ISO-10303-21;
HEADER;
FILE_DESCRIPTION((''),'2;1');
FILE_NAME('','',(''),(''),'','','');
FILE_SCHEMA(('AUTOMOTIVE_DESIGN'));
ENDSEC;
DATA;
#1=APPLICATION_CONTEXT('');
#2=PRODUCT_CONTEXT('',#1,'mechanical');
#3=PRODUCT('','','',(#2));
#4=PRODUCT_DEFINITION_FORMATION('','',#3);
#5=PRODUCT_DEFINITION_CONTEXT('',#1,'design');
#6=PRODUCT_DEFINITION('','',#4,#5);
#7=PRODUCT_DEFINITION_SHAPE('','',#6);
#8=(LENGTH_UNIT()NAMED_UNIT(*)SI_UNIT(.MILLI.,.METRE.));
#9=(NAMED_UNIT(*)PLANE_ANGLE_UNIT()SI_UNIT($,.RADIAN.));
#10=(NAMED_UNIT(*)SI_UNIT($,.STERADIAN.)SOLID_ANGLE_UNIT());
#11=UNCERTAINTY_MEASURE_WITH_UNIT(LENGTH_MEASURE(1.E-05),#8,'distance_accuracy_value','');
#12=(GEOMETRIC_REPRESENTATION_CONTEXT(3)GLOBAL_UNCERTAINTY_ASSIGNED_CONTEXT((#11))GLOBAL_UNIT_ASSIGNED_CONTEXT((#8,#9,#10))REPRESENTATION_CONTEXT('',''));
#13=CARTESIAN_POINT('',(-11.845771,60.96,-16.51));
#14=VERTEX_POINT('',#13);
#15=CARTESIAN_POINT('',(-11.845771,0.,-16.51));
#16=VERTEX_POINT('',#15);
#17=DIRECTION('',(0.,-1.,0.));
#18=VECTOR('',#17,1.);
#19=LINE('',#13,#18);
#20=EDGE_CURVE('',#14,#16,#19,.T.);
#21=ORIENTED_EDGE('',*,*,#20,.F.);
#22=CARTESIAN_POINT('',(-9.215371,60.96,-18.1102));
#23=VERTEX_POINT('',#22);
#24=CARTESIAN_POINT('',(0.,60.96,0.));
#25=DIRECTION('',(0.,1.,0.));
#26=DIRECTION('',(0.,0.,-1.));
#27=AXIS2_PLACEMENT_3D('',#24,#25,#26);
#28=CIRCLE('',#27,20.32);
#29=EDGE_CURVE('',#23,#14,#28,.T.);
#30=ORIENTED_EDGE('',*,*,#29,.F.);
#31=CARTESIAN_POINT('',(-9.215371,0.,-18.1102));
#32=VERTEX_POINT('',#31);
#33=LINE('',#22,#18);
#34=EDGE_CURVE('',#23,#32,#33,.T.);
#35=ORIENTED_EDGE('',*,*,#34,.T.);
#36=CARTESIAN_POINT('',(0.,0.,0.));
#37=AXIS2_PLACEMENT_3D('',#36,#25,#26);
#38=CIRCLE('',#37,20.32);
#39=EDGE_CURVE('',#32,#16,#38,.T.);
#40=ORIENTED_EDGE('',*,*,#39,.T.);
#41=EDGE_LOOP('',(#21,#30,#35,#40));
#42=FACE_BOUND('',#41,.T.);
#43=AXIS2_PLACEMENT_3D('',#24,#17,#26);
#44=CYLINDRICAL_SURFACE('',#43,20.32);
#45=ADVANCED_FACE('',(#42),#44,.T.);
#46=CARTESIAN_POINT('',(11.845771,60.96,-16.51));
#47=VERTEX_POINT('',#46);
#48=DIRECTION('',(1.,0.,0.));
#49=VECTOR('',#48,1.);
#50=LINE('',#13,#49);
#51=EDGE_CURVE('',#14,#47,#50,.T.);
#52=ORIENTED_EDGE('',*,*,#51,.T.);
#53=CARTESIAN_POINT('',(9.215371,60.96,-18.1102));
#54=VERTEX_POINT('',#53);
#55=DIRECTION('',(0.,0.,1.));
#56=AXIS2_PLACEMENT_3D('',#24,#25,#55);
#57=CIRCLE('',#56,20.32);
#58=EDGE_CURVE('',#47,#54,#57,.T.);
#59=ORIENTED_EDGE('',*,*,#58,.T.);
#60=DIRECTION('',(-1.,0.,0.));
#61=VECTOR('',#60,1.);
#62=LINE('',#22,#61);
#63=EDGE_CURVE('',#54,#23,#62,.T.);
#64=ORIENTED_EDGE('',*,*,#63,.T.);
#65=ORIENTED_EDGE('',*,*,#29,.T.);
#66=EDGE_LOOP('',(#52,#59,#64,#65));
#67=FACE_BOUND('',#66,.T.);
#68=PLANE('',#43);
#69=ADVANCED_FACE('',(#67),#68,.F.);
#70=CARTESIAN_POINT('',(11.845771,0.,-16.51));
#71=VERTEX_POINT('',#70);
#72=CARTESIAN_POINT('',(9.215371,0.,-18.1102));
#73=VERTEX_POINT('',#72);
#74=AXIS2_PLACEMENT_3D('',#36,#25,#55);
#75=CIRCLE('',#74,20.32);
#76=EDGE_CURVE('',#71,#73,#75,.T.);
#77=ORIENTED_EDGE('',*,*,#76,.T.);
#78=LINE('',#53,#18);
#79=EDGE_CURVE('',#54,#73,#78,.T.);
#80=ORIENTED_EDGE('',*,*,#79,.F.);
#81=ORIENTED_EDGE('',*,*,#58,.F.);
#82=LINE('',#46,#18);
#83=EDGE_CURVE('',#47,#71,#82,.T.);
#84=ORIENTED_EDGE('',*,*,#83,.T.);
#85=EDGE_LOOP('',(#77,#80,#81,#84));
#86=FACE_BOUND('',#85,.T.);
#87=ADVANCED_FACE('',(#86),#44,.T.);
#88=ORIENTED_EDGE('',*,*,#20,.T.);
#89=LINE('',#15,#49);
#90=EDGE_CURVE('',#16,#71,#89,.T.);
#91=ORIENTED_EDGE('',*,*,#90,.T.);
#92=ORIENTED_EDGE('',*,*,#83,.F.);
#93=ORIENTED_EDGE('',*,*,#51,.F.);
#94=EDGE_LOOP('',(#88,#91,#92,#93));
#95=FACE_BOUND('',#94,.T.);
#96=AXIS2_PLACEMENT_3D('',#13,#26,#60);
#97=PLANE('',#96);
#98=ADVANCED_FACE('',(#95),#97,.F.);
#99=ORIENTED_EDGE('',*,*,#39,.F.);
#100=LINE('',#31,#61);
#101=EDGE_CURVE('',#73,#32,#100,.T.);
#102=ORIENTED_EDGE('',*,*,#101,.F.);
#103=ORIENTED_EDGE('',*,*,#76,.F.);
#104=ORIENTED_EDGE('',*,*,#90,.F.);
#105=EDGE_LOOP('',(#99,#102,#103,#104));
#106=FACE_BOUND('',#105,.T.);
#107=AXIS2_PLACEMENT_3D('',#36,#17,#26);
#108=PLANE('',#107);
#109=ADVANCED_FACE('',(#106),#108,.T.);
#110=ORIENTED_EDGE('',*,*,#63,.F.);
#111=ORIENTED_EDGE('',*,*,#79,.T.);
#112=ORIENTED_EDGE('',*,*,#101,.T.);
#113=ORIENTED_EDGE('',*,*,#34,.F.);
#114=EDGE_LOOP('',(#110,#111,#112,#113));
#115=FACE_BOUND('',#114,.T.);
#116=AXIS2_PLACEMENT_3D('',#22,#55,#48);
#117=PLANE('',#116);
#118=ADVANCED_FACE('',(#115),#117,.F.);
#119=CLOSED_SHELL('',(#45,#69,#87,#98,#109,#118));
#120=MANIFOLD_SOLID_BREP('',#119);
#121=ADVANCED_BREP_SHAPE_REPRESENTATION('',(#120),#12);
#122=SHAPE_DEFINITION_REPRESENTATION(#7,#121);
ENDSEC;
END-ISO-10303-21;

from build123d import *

# Parameters (mm, degrees)
BOSS_EXTRUDE1_DEPTH = 60.96


with BuildPart() as part:
    # Sketch1 → Boss-Extrude1 (new body)
    with BuildSketch(Plane(origin=(0, 0, 0), x_dir=(1, 0, 0), z_dir=(0, 1, 0))):
        with BuildLine():
            Line((-11.845771397, 16.51), (11.845771397, 16.51))
            ThreePointArc((11.845771397, 16.51), (10.56092259, 17.359991764), (9.215370636, 18.1102))
            Line((9.215370636, 18.1102), (-9.215370636, 18.1102))
            ThreePointArc((-9.215370636, 18.1102), (-10.56092259, 17.359991764), (-11.845771397, 16.51))
        make_face()
    extrude(amount=BOSS_EXTRUDE1_DEPTH)


solid = part.part
